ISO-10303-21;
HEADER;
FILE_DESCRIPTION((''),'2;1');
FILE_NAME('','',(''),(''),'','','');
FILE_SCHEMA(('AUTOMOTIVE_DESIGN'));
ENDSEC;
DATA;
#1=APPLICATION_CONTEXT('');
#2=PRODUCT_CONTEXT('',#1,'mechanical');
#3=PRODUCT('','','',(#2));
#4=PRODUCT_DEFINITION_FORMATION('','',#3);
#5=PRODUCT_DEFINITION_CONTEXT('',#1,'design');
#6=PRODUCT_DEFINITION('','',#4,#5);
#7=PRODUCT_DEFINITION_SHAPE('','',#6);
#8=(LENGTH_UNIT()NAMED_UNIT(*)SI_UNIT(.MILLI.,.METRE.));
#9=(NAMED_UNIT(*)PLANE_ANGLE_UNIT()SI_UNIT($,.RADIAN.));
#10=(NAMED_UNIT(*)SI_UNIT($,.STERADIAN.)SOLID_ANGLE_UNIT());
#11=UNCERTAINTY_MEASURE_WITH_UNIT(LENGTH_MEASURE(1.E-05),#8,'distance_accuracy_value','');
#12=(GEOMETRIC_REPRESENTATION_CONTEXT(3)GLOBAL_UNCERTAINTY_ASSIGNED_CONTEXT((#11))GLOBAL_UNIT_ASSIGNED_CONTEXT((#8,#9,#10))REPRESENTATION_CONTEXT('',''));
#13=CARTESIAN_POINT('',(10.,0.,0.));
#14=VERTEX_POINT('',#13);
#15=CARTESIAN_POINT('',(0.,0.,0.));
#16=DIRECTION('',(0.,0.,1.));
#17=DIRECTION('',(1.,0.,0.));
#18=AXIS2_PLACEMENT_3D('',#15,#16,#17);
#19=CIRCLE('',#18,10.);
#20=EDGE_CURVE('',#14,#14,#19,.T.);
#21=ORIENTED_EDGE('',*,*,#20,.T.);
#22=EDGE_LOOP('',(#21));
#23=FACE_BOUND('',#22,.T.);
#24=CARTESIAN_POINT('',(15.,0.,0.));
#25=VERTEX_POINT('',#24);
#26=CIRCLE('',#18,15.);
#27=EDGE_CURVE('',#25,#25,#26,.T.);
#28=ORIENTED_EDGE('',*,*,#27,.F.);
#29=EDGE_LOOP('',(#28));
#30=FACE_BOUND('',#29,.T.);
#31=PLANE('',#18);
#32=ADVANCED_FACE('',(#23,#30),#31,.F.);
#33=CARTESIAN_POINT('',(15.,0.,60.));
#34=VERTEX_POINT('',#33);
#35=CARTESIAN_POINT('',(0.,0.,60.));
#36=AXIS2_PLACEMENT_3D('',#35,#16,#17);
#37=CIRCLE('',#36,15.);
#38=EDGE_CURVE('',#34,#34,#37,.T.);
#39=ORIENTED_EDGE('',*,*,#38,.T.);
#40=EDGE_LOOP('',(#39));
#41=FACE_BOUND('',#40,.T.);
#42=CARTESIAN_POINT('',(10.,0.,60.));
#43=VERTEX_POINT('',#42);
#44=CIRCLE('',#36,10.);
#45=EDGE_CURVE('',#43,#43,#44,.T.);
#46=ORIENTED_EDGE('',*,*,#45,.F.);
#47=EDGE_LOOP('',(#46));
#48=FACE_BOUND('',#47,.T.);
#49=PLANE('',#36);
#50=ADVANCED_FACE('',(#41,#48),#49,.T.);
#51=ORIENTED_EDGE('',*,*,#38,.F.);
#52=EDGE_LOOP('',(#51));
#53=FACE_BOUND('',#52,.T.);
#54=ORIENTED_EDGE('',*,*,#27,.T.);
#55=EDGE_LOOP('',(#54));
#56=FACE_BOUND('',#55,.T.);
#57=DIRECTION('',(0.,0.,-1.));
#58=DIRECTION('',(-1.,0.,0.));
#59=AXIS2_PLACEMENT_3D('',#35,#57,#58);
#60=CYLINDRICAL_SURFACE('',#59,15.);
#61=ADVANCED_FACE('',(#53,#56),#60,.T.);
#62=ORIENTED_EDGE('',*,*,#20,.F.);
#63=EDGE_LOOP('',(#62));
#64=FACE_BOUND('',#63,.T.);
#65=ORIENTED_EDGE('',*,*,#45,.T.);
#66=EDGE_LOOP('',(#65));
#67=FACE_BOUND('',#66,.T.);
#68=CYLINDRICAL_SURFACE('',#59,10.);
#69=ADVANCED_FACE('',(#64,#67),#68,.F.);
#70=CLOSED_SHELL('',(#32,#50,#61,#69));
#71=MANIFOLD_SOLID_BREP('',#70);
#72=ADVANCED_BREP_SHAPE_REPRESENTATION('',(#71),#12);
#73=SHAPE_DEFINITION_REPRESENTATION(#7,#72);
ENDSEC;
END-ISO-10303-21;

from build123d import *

# Parameters (mm, degrees)
ESQUISSE2_R        = 15
ESQUISSE2_R_2      = 10
BOSS_EXTRU_1_DEPTH = 60


with BuildPart() as part:
    # Esquisse2 → Boss.-Extru.1 (new body)
    with BuildSketch(Plane.XY):
        Circle(ESQUISSE2_R)
        Circle(ESQUISSE2_R_2, mode=Mode.SUBTRACT)
    extrude(amount=BOSS_EXTRU_1_DEPTH)


solid = part.part
